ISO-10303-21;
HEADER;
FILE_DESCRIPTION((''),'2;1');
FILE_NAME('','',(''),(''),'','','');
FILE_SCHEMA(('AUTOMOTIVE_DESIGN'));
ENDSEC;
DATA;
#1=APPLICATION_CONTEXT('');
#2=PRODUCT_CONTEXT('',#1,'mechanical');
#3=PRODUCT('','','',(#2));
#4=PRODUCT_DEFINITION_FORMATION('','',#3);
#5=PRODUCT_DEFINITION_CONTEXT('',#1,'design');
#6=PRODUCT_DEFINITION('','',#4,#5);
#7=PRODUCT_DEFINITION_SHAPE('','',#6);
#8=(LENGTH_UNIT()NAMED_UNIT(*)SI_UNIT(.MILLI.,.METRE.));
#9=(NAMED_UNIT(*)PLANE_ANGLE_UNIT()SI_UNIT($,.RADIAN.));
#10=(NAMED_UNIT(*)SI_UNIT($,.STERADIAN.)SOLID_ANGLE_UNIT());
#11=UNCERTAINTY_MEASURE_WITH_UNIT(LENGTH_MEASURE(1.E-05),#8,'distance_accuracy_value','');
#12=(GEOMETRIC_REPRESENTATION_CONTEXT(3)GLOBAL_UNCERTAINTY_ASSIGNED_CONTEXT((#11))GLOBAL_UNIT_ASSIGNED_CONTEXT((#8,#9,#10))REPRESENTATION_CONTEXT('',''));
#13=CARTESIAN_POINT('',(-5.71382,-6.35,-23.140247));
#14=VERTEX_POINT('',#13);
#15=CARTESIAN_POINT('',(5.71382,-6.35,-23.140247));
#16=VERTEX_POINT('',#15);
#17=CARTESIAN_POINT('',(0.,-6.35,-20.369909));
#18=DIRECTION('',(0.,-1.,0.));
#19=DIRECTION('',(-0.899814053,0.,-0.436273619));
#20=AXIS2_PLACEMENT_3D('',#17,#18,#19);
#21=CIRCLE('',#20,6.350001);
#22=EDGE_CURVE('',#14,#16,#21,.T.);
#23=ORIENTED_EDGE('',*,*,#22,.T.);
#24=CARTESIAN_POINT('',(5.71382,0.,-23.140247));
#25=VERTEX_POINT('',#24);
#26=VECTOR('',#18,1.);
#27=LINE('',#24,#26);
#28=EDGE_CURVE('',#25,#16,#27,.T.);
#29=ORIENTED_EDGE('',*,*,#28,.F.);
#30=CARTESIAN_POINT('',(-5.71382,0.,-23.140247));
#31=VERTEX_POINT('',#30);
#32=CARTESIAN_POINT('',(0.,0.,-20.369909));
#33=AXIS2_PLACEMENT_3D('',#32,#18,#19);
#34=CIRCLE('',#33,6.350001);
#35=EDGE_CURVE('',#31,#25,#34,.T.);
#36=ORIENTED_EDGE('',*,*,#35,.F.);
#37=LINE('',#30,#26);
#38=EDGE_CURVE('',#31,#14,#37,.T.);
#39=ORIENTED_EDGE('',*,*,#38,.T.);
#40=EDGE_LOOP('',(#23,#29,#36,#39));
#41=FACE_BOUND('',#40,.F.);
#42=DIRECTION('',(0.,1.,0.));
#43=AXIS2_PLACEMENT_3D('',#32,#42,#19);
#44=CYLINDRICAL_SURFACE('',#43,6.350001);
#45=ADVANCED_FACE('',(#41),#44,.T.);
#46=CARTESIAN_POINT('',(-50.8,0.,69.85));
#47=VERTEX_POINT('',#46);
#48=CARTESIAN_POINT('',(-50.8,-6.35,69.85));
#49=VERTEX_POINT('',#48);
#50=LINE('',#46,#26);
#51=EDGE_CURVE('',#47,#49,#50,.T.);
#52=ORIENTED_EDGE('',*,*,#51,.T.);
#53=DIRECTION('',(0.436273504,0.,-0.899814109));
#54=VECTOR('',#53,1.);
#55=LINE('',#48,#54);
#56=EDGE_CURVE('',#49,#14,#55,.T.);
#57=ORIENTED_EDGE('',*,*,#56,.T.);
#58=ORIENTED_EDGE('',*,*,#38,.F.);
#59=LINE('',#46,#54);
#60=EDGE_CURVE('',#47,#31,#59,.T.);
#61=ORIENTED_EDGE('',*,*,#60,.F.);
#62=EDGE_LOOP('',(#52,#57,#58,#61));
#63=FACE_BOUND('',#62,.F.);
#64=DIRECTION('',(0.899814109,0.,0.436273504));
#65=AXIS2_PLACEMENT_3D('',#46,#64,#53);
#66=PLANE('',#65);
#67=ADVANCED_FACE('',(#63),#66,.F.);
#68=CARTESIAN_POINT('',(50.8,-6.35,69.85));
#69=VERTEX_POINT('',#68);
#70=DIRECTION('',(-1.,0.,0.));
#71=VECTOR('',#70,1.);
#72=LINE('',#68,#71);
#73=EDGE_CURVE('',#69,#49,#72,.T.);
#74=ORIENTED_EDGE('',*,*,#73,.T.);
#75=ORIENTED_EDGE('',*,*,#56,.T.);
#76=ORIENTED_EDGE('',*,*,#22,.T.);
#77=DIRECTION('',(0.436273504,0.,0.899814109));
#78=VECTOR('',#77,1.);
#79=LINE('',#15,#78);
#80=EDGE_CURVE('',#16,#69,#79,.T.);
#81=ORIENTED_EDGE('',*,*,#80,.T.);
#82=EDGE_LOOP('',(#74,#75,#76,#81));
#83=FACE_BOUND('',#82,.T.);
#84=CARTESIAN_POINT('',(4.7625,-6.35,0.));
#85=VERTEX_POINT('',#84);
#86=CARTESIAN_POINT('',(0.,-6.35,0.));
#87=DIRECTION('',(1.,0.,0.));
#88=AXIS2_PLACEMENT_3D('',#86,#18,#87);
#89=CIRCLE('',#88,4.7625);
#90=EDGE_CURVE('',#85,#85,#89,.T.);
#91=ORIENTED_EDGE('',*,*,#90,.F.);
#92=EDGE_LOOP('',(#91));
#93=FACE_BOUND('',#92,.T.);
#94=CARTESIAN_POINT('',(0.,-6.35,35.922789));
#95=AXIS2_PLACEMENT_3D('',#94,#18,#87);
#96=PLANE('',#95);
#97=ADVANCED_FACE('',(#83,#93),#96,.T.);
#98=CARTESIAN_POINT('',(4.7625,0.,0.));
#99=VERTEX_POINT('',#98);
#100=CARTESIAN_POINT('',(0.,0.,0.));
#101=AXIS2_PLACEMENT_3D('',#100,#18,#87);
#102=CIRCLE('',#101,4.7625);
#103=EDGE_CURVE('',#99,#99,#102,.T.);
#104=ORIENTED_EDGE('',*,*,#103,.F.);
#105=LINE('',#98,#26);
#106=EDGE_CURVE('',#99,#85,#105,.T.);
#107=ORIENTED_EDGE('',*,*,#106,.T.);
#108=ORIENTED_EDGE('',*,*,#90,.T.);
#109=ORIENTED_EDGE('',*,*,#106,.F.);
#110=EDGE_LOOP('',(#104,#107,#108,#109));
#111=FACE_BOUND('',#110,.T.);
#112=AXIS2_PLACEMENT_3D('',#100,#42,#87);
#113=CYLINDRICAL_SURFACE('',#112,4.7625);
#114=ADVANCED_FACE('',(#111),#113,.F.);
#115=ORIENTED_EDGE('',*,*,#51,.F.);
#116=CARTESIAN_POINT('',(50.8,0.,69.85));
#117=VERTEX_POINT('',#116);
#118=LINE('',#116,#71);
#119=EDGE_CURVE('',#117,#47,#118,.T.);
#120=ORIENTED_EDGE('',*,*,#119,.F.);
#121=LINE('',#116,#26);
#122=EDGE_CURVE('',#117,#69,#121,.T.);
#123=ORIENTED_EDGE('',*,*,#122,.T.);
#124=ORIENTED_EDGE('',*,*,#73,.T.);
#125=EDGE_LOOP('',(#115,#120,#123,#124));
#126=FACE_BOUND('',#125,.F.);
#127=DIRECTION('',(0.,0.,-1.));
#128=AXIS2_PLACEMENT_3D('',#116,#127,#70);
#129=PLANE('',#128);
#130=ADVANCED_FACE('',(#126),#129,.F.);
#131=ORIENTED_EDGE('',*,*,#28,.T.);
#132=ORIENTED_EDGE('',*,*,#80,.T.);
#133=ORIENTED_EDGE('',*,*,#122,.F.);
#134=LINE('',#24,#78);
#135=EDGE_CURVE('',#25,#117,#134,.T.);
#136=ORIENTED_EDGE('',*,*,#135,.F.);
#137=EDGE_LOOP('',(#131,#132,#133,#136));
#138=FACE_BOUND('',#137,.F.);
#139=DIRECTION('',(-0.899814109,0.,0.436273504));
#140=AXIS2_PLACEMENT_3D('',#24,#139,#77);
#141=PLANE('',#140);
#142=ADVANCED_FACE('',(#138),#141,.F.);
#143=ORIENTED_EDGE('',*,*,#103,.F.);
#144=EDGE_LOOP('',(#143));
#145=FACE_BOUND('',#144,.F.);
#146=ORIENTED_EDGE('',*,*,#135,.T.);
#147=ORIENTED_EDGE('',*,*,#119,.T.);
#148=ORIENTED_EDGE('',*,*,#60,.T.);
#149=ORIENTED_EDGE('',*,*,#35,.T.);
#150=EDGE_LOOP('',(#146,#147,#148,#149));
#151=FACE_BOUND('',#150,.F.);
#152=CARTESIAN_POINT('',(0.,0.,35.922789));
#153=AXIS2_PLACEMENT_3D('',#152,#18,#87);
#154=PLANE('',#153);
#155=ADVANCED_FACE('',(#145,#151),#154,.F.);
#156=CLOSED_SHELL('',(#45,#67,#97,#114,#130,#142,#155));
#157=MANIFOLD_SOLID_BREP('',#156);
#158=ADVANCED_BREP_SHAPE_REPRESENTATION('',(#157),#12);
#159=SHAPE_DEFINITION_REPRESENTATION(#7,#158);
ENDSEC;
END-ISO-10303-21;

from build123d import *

# Parameters (mm, degrees)
F0_R     = 4.7625
F1_DEPTH = 6.35


with BuildPart() as f1:
    # F0 (on Front) → F1 (new body)
    with BuildSketch(Plane.XZ):
        with BuildLine():
            Line((50.8, 69.85), (-50.8, 69.85))
            Line((-50.8, 69.85), (-5.71382, -23.140247))
            ThreePointArc((-5.71382, -23.140247), (0, -26.71991), (5.71382, -23.140247))
            Line((5.71382, -23.140247), (50.8, 69.85))
        make_face()
        Circle(F0_R, mode=Mode.SUBTRACT)
    extrude(amount=F1_DEPTH)


solid = f1.part
